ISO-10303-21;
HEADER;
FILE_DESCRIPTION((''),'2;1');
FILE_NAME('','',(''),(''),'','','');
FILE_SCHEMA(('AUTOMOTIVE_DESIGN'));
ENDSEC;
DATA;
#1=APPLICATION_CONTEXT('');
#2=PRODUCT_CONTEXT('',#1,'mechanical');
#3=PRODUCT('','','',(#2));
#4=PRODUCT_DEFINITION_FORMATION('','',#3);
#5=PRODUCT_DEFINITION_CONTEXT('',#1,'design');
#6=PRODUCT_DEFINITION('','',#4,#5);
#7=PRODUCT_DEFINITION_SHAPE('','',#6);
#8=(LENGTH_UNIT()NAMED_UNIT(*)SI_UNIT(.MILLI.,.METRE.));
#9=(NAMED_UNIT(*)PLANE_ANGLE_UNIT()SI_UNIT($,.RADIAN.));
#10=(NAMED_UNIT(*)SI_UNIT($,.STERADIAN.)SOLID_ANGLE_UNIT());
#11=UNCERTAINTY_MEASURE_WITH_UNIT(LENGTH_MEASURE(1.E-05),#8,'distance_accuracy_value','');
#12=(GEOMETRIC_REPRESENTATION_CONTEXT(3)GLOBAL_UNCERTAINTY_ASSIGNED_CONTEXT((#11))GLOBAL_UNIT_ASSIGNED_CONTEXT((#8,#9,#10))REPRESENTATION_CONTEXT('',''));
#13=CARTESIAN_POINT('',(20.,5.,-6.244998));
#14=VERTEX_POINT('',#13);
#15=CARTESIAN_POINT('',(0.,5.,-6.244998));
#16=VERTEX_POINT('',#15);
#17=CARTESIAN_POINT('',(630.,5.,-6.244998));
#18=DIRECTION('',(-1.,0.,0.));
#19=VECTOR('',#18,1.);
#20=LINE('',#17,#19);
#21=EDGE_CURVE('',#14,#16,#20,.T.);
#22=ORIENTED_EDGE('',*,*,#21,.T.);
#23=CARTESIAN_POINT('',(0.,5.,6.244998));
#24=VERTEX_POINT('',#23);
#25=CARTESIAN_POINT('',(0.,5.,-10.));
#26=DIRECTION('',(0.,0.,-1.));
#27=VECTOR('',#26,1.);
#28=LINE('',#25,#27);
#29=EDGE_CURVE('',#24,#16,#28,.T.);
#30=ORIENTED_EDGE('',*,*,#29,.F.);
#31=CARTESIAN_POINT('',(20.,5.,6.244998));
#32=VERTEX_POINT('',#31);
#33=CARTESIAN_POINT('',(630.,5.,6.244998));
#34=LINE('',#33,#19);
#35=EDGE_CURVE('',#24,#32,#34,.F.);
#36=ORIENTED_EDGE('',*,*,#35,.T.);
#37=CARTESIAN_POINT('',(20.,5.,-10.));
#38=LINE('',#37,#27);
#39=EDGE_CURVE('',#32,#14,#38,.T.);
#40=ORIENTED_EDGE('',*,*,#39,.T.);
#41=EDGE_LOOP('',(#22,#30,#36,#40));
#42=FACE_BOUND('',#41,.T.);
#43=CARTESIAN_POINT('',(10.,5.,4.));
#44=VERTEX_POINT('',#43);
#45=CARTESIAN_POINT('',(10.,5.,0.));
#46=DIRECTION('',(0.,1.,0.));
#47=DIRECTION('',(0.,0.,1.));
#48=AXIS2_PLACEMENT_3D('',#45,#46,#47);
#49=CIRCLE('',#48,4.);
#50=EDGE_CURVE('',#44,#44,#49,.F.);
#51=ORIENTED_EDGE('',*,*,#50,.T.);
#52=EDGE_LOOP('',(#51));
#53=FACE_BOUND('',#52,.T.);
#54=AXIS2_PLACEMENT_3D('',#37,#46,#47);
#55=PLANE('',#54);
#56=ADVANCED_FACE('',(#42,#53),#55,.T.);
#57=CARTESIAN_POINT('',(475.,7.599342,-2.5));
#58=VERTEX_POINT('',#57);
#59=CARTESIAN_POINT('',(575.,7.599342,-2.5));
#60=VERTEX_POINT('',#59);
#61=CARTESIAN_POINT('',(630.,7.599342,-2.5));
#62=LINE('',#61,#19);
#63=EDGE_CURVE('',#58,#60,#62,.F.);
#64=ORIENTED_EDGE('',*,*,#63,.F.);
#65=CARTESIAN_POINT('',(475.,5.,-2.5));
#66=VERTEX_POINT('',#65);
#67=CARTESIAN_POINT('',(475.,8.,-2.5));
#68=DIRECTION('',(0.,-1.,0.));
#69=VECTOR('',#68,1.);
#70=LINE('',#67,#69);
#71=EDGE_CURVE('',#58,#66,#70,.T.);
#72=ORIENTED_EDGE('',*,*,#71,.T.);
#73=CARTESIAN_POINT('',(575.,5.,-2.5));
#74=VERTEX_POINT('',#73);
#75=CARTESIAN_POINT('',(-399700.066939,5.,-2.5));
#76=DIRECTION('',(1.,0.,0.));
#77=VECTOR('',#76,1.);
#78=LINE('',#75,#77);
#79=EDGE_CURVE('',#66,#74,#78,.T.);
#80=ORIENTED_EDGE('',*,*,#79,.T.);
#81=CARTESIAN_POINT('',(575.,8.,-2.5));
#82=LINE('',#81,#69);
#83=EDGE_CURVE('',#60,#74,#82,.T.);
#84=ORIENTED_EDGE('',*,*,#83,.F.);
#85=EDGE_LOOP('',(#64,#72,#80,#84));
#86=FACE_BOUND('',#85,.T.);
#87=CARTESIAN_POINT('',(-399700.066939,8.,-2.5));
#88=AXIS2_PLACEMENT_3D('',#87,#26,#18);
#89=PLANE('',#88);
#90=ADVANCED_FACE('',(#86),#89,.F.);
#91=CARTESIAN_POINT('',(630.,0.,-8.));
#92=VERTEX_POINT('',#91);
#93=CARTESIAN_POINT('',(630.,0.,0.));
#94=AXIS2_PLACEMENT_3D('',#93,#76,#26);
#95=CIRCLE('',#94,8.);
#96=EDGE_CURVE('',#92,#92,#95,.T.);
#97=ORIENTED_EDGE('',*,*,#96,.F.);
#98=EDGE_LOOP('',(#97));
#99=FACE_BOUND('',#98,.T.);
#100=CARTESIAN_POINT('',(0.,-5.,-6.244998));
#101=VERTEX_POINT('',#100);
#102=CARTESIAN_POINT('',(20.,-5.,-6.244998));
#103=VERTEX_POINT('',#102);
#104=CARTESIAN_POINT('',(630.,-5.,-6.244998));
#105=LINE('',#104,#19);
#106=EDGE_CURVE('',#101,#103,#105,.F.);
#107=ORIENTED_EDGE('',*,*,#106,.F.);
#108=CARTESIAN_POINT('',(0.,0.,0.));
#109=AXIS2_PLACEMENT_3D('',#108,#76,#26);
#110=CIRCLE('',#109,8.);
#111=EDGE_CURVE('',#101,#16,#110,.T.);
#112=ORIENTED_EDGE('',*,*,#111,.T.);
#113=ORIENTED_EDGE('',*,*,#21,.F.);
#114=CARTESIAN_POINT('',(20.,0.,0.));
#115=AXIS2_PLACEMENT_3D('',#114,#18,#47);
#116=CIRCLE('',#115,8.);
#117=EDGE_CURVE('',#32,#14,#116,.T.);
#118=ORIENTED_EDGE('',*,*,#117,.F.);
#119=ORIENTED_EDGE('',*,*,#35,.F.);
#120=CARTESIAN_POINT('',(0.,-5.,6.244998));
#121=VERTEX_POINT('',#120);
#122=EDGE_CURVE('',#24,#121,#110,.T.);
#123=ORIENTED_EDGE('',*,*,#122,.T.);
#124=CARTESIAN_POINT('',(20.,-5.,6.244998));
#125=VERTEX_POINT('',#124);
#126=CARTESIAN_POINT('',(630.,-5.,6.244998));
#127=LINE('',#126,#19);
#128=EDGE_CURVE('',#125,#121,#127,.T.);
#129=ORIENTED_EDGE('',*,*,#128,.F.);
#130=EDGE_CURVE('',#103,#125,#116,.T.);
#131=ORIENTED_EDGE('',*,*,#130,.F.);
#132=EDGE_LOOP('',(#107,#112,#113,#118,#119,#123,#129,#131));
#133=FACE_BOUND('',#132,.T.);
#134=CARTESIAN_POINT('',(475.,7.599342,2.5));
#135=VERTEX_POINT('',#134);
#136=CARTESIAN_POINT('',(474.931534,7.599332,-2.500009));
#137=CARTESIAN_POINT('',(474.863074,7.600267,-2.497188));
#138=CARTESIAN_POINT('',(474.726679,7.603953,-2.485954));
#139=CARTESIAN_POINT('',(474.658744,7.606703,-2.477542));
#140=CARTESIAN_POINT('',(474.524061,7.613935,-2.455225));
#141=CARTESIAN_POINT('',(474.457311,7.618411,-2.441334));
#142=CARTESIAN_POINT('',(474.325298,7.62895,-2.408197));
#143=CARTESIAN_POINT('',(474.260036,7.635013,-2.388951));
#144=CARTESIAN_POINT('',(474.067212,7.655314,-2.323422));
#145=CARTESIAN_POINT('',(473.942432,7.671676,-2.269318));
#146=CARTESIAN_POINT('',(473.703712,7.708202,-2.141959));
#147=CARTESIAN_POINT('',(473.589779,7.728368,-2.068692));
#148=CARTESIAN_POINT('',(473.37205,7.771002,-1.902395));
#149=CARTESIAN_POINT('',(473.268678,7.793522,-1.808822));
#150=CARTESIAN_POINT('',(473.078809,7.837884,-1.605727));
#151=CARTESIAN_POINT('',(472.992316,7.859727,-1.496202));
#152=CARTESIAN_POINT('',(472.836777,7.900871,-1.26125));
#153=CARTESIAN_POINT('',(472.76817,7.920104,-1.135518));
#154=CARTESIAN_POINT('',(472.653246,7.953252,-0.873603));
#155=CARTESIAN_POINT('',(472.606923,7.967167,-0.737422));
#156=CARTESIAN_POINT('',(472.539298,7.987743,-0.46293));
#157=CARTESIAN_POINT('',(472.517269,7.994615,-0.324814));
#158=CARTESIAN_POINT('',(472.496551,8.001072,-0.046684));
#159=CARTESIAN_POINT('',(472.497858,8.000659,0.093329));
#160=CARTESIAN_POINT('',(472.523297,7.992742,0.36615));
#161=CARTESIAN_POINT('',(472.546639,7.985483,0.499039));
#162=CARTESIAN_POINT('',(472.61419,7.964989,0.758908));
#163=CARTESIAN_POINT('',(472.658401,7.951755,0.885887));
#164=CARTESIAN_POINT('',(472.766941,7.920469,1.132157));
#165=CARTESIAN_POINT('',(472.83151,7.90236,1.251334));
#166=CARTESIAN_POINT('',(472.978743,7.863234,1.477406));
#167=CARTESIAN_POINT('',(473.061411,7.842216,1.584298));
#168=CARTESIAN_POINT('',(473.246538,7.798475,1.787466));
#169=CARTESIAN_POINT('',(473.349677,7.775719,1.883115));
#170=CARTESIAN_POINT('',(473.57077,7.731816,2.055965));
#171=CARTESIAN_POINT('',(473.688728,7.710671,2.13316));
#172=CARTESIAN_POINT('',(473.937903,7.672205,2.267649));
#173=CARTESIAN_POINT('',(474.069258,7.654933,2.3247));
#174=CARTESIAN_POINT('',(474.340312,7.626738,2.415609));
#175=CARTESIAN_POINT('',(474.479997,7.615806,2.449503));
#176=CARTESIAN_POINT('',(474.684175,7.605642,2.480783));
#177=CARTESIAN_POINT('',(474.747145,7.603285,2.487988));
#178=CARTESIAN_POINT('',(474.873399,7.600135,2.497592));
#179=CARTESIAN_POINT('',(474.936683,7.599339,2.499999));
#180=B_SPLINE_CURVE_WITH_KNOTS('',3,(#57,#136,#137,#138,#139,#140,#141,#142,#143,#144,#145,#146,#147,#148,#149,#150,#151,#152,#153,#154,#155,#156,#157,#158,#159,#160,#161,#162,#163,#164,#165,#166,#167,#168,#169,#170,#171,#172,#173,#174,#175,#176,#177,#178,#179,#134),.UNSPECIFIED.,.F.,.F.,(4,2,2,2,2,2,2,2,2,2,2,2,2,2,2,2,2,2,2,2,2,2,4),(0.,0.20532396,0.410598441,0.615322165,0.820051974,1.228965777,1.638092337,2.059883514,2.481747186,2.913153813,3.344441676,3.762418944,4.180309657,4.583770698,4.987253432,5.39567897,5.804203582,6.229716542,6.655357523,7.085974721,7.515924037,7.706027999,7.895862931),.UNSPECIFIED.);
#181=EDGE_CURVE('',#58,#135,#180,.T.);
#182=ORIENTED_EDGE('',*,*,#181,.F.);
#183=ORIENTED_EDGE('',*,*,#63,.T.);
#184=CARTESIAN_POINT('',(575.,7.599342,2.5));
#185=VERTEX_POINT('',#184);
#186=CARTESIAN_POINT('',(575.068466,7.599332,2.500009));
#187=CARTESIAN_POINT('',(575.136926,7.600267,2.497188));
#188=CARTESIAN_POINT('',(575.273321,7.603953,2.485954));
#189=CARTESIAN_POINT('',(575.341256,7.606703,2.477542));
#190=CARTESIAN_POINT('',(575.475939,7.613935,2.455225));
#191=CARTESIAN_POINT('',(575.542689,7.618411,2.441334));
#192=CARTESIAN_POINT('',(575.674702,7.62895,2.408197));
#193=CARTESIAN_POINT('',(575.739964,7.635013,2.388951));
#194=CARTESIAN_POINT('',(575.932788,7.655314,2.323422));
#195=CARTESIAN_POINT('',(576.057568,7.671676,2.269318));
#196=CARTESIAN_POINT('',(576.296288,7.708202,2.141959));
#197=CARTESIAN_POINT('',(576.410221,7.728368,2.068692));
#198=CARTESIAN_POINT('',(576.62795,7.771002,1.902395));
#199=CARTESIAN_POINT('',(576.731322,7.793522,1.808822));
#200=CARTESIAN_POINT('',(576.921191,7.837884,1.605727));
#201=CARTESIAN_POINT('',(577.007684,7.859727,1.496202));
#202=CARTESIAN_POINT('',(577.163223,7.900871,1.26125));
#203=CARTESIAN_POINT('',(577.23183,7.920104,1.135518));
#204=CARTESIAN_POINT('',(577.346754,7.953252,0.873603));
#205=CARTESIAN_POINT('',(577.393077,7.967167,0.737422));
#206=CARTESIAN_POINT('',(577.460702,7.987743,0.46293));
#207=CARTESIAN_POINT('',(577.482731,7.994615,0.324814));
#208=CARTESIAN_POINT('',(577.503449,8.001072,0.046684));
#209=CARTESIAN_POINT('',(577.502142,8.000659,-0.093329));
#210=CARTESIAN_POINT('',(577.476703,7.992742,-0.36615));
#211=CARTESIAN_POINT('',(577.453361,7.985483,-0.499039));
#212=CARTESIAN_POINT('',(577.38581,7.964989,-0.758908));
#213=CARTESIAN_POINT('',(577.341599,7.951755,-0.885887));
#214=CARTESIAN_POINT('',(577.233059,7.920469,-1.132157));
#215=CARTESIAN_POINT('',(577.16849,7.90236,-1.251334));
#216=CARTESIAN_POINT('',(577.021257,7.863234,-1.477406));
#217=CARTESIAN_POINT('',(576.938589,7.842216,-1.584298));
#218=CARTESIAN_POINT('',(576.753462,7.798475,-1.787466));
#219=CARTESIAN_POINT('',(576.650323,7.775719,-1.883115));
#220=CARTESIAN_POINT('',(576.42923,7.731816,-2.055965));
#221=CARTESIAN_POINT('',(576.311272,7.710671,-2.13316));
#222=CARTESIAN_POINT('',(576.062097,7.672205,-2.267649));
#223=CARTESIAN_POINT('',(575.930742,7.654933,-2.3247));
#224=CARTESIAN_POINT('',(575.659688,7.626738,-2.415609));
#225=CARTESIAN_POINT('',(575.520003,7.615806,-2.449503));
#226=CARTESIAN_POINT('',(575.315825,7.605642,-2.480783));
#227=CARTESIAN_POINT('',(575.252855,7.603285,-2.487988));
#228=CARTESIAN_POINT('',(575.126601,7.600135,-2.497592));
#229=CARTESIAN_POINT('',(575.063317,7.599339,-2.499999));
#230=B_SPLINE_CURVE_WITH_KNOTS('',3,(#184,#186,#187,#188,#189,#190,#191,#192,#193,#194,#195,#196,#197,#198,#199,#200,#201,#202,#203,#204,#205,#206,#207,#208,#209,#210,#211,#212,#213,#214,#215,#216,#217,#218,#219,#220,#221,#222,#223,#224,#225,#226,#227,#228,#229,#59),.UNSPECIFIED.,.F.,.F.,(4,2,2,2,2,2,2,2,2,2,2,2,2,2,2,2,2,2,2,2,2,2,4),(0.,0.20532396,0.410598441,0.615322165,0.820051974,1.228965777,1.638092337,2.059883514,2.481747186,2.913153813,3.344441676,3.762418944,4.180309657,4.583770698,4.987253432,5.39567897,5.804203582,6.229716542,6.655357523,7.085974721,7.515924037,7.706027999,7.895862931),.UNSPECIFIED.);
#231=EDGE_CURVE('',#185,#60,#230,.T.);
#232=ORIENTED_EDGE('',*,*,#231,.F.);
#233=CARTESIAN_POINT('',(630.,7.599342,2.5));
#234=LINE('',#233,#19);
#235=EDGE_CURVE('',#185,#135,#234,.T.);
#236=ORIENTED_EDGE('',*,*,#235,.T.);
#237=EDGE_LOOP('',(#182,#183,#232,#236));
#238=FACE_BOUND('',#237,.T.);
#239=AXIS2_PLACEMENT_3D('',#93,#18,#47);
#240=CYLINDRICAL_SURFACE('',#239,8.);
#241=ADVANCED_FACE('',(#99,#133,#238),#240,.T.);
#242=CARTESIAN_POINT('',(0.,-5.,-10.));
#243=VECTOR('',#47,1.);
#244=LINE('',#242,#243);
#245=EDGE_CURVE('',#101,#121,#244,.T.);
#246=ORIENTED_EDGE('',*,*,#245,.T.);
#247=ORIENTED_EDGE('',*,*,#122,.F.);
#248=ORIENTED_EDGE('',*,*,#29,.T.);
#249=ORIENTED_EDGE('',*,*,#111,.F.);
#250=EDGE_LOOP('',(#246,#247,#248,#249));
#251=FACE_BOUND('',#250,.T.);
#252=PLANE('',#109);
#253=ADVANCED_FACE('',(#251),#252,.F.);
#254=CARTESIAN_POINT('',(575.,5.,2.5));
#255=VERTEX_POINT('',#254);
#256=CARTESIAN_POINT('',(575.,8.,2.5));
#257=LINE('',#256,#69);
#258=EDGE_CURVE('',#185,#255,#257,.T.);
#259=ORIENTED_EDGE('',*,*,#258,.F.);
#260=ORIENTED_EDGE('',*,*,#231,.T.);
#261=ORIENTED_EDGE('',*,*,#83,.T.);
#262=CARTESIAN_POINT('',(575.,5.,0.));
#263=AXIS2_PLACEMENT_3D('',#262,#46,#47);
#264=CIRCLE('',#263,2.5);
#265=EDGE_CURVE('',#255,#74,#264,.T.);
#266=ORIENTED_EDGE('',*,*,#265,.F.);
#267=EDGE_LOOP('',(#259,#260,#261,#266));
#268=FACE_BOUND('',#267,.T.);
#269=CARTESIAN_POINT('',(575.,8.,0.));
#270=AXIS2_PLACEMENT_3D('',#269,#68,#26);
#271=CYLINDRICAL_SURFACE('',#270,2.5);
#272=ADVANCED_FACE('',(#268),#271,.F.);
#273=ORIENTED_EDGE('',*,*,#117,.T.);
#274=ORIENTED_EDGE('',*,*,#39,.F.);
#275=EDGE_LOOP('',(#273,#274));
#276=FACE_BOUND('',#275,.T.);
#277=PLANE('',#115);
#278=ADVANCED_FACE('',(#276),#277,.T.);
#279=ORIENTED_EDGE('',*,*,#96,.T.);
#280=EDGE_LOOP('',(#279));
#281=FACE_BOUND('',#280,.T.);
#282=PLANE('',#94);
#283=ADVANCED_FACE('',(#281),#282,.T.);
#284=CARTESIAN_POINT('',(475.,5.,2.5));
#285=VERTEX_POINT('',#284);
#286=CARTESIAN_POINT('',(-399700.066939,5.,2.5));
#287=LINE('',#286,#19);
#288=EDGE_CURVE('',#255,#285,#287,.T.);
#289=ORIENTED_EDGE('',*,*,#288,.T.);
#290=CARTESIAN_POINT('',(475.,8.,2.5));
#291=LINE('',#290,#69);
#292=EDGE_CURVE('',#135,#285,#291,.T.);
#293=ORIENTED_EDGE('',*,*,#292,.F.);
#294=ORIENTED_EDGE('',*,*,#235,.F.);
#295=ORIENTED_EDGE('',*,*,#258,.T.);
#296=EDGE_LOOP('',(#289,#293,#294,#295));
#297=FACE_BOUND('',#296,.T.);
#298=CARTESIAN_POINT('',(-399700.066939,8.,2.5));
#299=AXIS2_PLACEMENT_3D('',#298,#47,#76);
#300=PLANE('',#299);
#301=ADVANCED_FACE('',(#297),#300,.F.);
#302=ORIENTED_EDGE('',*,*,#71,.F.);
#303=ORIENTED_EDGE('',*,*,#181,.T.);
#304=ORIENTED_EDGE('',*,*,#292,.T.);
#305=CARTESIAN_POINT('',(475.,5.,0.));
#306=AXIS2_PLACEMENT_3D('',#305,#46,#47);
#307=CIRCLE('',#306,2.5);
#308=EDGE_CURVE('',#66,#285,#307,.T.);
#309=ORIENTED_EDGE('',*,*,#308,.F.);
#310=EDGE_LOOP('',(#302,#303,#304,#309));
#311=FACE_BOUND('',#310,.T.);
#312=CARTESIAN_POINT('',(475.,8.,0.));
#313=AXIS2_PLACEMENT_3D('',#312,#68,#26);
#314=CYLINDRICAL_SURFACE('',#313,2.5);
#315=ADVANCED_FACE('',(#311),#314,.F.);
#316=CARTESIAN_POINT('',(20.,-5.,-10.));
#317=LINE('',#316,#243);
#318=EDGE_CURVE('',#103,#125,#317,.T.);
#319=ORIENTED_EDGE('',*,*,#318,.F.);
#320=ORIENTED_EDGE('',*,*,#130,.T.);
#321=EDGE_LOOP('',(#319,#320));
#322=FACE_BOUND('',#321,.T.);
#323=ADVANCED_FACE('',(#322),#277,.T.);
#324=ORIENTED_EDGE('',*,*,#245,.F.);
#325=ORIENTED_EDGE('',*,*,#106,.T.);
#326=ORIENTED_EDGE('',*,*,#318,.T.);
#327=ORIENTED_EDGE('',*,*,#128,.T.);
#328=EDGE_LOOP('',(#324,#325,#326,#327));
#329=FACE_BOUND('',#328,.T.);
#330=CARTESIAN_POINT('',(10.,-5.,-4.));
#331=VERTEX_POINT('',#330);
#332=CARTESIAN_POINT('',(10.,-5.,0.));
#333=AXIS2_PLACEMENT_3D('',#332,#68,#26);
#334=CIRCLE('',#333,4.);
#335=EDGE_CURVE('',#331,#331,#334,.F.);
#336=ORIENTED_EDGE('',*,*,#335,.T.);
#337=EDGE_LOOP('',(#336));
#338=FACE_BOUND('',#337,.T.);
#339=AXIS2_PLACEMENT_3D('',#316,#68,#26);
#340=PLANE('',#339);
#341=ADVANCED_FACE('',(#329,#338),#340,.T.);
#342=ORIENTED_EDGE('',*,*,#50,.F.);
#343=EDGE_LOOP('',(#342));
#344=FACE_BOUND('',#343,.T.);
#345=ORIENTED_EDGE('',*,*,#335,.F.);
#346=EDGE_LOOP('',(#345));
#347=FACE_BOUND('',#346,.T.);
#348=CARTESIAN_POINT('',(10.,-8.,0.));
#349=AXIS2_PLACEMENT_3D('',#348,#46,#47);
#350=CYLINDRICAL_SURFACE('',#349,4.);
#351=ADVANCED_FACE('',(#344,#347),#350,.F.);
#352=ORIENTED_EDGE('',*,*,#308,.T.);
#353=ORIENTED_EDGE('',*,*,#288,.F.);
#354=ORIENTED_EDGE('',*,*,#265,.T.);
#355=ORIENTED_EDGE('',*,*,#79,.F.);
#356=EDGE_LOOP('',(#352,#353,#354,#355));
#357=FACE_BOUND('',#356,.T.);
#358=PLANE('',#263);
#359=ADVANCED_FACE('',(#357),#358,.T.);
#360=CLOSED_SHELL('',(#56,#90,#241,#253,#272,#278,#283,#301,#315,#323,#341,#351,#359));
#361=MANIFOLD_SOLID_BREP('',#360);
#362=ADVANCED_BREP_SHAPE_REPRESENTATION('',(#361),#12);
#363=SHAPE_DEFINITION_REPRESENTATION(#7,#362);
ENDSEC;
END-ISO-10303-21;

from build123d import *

# Parameters (mm, degrees)
SKETCH_1_R               = 8
EXTRUDE_1_DEPTH          = 630
SKETCH_2_R               = 4
CUT_EXTRUDE_1_DEPTH      = 9
CUT_EXTRUDE_1_DEPTH_BACK = 9
SKETCH_3_OUTSIDE_W       = 144.082
SKETCH_3_OUTSIDE_H       = 144.082
SKETCH_3_OUTSIDE_W_2     = 20
SKETCH_3_OUTSIDE_H_2     = 10
CUT_EXTRUDE_2_DEPTH      = 20
CUT_EXTRUDE_START        = 5
CUT_EXTRUDE_3_DEPTH      = 4


with BuildPart() as part:
    # 草图1 → 凸台-拉伸1 (new body)
    with BuildSketch(Plane(origin=(0, 0, 0), x_dir=(0, 0, -1), z_dir=(1, 0, 0))):
        Circle(SKETCH_1_R)
    extrude(amount=EXTRUDE_1_DEPTH)

    # 草图2 → 切除-拉伸1 (cut, two sides)
    with BuildSketch(Plane(origin=(0, 0, 0), x_dir=(1, 0, 0), z_dir=(0, 1, 0))) as cut_extrude_1_sk:
        with Locations((10, 0)):
            Circle(SKETCH_2_R)
    extrude(amount=CUT_EXTRUDE_1_DEPTH, mode=Mode.SUBTRACT)
    extrude(cut_extrude_1_sk.sketch, amount=-CUT_EXTRUDE_1_DEPTH_BACK, mode=Mode.SUBTRACT)

    # 草图3 outside → 切除-拉伸2 (cut)
    with BuildSketch(Plane.ZY):
        Rectangle(SKETCH_3_OUTSIDE_W, SKETCH_3_OUTSIDE_H)
        Rectangle(SKETCH_3_OUTSIDE_W_2, SKETCH_3_OUTSIDE_H_2, mode=Mode.SUBTRACT)
    extrude(amount=-CUT_EXTRUDE_2_DEPTH, mode=Mode.SUBTRACT)

    # 草图4 → 切除-拉伸3 (cut, through all)
    with BuildSketch(Plane(origin=(0, 0, 0), x_dir=(1, 0, 0), z_dir=(0, 1, 0)).offset(CUT_EXTRUDE_START)):
        with BuildLine():
            Line((475, 2.5), (575, 2.5))
            ThreePointArc((575, 2.5), (577.5, 0), (575, -2.5))
            Line((575, -2.5), (475, -2.5))
            ThreePointArc((475, -2.5), (472.5, 0), (475, 2.5))
        make_face()
    extrude(amount=CUT_EXTRUDE_3_DEPTH, mode=Mode.SUBTRACT)


solid = part.part
